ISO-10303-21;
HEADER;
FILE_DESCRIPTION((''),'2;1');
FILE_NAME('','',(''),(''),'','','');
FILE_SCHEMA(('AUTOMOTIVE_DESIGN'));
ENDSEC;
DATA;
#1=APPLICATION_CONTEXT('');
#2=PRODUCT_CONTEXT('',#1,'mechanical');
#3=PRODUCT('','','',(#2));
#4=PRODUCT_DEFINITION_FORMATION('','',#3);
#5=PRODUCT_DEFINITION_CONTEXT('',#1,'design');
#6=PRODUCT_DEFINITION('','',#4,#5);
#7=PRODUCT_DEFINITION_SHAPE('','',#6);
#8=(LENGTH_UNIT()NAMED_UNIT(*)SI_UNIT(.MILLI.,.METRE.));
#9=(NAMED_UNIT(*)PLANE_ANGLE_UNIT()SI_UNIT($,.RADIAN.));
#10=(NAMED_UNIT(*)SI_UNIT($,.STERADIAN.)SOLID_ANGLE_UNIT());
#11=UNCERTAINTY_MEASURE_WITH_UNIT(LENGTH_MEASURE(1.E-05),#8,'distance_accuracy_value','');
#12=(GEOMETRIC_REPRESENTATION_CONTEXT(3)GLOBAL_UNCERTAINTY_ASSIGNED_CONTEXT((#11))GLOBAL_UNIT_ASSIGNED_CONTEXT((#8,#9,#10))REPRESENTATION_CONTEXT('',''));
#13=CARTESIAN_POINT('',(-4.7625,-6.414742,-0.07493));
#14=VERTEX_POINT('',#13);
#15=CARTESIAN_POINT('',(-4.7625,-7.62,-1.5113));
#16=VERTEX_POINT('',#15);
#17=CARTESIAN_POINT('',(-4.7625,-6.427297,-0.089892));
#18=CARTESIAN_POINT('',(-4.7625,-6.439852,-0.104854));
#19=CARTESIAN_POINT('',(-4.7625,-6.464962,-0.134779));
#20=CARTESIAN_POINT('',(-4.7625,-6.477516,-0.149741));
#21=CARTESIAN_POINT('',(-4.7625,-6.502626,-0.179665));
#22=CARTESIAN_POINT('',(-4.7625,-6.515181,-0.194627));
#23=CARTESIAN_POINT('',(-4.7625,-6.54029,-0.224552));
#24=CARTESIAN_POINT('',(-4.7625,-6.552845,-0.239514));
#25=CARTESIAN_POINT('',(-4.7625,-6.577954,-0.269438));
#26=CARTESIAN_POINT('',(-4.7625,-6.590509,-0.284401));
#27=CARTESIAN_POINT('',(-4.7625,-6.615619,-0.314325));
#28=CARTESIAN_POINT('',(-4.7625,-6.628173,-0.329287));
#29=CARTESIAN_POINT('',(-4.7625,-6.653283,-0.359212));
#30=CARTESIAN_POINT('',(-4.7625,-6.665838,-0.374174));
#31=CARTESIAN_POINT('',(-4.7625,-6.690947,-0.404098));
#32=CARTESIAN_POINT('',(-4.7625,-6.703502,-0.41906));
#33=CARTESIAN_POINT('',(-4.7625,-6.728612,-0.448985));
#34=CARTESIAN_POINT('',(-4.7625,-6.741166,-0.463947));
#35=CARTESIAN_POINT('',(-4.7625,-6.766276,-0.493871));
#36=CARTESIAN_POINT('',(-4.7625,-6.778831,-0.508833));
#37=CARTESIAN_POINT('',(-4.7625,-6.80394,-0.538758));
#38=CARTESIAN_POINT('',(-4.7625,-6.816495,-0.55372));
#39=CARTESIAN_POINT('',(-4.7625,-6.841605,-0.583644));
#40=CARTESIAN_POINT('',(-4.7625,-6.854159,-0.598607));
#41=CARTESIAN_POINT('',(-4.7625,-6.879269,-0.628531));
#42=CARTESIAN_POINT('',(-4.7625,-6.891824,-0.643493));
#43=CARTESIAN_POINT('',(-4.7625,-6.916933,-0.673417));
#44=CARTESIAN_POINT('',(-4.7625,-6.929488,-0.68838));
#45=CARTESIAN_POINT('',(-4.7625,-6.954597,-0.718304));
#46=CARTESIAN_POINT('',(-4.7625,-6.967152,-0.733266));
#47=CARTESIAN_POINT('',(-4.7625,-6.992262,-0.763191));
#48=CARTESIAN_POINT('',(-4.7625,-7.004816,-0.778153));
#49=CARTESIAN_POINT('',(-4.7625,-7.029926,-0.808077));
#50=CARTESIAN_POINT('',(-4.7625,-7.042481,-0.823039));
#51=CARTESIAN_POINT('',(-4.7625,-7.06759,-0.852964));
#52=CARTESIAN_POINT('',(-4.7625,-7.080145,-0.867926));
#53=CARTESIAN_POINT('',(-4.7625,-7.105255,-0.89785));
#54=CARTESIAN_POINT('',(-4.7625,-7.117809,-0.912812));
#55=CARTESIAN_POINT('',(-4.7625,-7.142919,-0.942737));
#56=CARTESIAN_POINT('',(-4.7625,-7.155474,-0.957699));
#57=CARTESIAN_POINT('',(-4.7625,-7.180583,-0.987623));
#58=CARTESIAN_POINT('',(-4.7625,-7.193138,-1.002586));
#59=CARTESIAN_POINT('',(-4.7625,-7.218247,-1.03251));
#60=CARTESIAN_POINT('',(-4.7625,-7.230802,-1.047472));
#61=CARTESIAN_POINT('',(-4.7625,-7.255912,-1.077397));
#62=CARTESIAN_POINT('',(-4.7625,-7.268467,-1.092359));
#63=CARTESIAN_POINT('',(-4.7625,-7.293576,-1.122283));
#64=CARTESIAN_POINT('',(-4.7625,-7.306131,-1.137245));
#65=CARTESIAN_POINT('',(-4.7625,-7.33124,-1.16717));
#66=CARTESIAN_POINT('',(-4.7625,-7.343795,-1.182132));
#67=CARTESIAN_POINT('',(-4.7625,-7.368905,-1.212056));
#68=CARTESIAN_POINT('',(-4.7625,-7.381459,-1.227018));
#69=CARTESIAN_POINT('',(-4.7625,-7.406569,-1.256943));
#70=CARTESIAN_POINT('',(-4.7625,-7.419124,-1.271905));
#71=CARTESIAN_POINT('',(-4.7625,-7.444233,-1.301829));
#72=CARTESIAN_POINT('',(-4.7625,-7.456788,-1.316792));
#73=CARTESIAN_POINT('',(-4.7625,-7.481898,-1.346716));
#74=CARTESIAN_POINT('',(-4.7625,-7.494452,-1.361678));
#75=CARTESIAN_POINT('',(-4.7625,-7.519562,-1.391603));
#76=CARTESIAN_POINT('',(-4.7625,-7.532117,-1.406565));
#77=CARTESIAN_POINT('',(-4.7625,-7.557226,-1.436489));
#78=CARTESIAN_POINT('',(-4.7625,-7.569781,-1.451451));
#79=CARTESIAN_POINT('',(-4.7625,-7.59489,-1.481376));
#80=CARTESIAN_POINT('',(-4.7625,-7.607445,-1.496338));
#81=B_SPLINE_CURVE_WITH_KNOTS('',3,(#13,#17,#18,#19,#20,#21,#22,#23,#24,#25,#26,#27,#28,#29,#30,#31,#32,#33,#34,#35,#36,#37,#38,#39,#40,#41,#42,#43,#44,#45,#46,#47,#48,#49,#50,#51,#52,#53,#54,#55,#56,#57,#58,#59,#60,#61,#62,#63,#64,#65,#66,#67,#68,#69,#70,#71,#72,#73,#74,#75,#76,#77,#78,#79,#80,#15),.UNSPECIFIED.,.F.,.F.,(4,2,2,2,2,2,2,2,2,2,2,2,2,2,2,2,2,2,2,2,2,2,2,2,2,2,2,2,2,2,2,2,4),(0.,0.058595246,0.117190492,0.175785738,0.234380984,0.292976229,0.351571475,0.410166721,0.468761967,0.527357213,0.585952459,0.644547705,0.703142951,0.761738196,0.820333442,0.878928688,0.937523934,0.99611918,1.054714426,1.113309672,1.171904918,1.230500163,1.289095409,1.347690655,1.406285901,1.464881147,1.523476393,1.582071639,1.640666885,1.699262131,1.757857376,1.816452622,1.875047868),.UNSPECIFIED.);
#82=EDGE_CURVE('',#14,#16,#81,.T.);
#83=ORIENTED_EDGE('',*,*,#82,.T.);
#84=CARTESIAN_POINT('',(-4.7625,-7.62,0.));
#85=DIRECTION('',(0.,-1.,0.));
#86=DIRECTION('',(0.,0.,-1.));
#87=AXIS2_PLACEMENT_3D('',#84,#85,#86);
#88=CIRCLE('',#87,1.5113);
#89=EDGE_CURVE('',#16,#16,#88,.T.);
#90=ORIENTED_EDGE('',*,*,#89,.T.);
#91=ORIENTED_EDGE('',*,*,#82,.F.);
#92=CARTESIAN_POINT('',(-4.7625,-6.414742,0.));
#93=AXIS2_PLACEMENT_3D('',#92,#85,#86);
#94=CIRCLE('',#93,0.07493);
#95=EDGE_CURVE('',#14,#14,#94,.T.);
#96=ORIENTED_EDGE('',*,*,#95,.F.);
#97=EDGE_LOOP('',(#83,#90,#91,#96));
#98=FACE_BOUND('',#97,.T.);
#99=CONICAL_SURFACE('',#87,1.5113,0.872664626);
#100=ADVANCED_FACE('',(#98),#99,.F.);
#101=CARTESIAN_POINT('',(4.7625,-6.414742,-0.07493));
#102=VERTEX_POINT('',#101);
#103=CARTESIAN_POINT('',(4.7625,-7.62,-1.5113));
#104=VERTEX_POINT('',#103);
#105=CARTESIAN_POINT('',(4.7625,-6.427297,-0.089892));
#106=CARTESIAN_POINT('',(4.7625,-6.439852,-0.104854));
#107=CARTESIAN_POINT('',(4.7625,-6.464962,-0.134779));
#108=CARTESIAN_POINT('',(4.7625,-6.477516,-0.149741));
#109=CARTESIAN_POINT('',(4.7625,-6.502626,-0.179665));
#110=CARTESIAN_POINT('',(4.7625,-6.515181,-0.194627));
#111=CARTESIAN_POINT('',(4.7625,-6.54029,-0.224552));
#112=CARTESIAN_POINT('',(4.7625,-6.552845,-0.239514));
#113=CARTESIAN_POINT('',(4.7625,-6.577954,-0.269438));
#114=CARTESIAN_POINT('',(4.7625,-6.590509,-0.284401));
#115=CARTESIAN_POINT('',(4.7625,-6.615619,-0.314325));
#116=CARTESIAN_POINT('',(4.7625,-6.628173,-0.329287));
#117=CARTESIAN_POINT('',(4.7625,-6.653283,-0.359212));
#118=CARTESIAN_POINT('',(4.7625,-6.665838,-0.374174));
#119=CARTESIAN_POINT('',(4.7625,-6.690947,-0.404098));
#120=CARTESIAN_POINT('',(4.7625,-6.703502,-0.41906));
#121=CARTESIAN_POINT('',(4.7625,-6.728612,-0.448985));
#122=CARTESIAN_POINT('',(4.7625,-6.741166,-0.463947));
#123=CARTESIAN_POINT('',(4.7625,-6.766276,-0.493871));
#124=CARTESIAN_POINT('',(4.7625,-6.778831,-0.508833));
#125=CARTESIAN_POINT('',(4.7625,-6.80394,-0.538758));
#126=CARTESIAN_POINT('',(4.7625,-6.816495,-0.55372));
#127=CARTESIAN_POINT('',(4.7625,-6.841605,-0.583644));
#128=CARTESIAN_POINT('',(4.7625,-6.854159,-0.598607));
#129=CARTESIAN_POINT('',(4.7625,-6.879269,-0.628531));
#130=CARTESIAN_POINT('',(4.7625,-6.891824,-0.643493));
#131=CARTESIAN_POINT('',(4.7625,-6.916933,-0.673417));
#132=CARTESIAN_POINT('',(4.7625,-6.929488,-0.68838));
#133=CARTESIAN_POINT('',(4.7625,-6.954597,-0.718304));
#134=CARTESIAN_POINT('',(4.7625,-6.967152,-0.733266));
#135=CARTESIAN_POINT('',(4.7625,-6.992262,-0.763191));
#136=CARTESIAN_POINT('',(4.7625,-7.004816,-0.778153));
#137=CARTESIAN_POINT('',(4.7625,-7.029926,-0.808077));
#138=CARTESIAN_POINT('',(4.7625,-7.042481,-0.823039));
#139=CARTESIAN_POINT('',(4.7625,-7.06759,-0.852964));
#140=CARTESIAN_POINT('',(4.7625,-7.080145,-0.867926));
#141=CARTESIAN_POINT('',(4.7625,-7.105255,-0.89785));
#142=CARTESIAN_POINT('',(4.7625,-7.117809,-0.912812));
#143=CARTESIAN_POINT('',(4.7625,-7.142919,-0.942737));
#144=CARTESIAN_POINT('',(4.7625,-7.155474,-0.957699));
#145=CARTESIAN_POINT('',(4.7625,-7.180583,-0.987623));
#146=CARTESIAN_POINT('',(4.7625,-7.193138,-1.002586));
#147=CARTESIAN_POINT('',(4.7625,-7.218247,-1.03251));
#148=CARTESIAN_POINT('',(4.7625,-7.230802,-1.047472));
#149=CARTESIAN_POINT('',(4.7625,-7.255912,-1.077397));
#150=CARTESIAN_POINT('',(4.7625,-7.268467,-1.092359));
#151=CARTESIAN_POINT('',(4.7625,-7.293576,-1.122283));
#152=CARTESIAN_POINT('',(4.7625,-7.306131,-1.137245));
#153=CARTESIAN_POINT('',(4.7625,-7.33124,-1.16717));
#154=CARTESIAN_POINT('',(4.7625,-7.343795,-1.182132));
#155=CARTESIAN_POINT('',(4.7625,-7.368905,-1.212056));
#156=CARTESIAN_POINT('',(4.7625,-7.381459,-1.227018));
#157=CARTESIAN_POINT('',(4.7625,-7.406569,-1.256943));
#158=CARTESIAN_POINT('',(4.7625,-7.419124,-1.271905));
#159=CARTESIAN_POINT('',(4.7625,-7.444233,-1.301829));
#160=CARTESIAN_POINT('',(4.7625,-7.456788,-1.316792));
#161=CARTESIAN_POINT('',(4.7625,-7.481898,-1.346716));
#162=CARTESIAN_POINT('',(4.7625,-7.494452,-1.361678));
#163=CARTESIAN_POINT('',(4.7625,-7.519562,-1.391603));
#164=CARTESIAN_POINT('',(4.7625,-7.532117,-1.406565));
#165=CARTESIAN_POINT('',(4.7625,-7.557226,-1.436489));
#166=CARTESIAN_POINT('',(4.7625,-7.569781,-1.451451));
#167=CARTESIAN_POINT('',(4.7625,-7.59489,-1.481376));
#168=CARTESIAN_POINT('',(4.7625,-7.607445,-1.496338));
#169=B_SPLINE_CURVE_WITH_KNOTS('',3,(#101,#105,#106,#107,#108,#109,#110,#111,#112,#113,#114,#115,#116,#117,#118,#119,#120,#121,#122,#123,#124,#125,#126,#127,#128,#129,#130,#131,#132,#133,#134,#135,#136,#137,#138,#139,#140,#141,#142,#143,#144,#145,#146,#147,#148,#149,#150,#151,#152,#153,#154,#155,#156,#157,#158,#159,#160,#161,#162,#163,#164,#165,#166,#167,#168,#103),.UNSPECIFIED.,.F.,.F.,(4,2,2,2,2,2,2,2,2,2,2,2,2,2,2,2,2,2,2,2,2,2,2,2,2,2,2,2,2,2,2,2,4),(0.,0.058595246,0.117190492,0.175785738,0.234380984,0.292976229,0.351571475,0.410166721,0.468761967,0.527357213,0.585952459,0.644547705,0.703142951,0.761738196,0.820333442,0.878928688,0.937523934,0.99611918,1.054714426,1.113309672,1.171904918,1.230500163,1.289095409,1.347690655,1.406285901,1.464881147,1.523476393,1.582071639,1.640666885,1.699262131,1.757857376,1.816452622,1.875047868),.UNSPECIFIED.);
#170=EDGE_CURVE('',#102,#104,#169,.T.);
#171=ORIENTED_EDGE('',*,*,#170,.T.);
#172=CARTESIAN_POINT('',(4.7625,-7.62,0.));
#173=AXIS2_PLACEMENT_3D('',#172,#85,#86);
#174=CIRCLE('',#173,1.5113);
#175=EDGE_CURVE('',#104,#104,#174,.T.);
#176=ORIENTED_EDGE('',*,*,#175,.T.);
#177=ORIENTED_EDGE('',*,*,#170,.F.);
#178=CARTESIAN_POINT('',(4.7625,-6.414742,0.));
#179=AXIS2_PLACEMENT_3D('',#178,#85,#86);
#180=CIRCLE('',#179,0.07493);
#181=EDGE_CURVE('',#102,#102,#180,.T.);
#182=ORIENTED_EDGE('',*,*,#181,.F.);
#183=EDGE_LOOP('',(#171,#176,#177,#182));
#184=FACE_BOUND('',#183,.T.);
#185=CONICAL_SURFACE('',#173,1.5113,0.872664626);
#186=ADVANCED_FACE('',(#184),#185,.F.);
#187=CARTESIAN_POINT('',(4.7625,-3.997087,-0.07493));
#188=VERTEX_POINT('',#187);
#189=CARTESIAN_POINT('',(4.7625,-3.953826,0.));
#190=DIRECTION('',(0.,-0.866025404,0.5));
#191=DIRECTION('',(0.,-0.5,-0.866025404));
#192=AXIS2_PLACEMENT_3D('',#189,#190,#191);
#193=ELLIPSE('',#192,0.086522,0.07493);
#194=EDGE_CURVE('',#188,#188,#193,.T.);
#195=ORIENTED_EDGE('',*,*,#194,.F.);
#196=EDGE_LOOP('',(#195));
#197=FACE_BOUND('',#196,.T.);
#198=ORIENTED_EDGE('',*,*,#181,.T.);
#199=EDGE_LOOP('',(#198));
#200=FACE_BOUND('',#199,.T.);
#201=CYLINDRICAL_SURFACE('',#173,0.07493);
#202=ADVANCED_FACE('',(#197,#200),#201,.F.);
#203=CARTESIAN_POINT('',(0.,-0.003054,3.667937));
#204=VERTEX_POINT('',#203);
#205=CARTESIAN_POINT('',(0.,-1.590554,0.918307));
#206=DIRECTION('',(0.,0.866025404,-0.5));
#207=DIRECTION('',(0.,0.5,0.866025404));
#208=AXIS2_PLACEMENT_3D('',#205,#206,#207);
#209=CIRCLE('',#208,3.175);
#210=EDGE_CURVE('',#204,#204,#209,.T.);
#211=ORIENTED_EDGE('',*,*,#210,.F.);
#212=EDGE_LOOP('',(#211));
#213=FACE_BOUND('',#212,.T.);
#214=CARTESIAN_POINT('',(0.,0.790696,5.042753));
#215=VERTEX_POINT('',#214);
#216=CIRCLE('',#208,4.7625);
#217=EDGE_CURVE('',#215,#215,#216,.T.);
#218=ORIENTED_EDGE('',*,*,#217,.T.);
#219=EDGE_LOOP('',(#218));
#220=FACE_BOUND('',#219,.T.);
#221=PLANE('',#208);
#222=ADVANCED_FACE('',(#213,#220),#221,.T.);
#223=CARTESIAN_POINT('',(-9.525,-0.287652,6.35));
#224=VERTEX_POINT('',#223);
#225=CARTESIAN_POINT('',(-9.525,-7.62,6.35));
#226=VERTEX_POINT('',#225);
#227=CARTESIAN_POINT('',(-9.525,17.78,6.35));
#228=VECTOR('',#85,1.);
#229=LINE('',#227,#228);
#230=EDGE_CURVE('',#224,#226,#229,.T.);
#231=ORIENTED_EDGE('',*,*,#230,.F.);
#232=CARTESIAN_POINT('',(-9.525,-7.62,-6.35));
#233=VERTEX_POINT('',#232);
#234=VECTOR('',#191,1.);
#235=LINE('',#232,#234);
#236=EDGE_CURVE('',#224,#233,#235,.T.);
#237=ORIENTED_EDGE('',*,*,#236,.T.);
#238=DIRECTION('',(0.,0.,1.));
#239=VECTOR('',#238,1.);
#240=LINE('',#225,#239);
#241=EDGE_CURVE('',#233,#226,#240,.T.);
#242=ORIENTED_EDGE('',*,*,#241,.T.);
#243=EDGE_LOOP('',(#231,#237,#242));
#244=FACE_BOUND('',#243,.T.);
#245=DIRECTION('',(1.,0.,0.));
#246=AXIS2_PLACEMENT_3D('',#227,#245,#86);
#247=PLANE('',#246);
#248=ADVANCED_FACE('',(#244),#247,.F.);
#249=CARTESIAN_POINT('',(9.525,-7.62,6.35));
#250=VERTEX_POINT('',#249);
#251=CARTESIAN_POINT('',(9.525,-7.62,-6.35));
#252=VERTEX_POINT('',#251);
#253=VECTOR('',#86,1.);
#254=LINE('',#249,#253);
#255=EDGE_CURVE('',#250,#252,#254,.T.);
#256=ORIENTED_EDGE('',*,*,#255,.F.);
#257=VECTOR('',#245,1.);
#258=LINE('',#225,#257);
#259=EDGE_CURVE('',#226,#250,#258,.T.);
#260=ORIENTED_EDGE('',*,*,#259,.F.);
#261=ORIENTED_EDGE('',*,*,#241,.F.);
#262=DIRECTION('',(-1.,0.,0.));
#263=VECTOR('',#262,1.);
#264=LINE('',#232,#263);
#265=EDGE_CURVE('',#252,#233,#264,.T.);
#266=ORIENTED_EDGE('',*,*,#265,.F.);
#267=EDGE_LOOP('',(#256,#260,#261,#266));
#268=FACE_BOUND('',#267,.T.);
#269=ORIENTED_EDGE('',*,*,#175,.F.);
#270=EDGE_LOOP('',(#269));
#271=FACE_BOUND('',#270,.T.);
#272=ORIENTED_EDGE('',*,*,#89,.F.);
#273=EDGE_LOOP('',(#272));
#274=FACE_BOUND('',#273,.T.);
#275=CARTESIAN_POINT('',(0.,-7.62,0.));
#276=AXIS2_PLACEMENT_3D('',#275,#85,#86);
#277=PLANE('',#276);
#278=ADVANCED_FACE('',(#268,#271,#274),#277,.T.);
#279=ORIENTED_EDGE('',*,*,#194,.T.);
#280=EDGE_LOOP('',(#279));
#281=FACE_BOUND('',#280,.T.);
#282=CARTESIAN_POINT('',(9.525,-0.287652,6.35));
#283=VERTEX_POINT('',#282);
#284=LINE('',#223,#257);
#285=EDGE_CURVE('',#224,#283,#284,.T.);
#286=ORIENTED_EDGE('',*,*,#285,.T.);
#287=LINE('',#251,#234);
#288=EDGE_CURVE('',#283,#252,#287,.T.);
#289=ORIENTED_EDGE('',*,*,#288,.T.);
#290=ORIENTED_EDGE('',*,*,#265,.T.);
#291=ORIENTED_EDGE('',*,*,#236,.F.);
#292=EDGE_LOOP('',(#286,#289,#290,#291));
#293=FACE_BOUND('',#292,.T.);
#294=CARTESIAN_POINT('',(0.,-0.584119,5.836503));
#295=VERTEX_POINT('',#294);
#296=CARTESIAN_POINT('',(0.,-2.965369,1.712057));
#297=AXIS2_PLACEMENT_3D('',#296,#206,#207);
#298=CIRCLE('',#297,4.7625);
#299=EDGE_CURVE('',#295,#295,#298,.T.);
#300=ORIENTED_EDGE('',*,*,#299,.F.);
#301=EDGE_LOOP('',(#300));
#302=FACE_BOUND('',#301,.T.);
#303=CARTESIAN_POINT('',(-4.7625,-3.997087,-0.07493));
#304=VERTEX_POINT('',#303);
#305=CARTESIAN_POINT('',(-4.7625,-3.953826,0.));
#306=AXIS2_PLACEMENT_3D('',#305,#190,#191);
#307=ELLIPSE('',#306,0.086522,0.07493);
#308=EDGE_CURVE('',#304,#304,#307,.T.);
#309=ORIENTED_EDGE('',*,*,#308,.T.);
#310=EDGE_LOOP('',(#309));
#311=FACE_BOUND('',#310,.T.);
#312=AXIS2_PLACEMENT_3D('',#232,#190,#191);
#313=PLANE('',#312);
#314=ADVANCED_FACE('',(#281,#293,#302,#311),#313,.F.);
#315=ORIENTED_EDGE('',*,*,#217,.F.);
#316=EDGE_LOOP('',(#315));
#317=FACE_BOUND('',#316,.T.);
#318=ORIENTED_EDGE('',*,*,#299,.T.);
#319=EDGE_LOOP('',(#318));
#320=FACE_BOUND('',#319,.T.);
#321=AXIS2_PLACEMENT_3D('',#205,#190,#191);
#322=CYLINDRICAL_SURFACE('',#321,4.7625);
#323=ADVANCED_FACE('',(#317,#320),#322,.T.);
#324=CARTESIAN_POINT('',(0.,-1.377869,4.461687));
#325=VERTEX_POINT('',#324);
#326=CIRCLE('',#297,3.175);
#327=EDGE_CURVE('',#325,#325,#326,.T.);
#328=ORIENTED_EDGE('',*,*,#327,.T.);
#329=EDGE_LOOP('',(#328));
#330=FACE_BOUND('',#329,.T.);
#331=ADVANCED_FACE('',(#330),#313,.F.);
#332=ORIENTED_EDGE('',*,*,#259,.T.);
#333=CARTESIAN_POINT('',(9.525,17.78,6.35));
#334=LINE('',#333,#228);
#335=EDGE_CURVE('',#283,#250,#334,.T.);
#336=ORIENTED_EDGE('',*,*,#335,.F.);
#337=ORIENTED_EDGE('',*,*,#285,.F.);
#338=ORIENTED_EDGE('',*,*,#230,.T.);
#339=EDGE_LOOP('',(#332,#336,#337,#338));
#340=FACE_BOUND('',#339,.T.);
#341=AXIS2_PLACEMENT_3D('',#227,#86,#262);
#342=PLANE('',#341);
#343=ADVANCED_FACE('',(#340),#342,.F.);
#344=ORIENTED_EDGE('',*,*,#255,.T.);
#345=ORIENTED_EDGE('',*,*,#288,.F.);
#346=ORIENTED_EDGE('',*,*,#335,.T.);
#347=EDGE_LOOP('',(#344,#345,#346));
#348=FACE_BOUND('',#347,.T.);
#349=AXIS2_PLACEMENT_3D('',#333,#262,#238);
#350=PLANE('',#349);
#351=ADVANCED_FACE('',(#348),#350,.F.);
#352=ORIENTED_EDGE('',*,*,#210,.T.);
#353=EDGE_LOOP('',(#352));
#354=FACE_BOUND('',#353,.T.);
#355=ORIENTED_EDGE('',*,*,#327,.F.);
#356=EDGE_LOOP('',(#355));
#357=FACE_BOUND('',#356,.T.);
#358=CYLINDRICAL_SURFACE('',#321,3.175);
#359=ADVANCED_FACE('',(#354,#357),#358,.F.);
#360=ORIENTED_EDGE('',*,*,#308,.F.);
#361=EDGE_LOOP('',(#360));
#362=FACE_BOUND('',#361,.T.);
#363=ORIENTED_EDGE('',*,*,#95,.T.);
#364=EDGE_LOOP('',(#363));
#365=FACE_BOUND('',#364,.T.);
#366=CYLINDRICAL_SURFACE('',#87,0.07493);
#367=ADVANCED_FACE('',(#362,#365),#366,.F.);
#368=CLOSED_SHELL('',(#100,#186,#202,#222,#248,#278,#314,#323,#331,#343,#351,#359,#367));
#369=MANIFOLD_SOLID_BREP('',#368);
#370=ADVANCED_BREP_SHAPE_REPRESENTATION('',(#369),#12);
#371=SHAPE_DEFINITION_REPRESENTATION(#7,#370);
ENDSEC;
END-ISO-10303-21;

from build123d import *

# Parameters (mm, degrees)
SKETCH9_W                              = 19.05
SKETCH9_H                              = 12.7
BOSS_EXTRUDE1_DEPTH                    = 25.4
CUT_EXTRUDE1_DEPTH                     = 27.820764344
SKETCH11_R                             = 4.7625
SKETCH11_R_2                           = 3.175
BOSS_EXTRUDE2_DEPTH                    = 1.5875
F_97_0_0059_DIAMETER_HOLE1_D           = 0.14986
F_97_0_0059_DIAMETER_HOLE1_CSINK_D     = 3.0226
F_97_0_0059_DIAMETER_HOLE1_CSINK_ANGLE = 100


with BuildPart() as part:
    # Sketch9 → Boss-Extrude1 (new body)
    with BuildSketch(Plane(origin=(0, -7.62, 0), x_dir=(1, 0, 0), z_dir=(0, 1, 0))):
        Rectangle(SKETCH9_W, SKETCH9_H)
    extrude(amount=BOSS_EXTRUDE1_DEPTH)

    # Sketch10 → Cut-Extrude1 (cut, through all)
    with BuildSketch(Plane(origin=(9.525, 0, 0), x_dir=(0, 0, -1), z_dir=(1, 0, 0))):
        Polygon((6.35, -7.62), (-6.35, -0.287651581), (-6.35, 22.86), (6.35, 22.86), align=None)
    extrude(amount=-CUT_EXTRUDE1_DEPTH, mode=Mode.SUBTRACT)

    # Sketch11 → Boss-Extrude2 (add)
    with BuildSketch(Plane(origin=(0, -2.965369343, 1.712056788), x_dir=(1, 0, 0), z_dir=(0, 0.8660254037844382, -0.500000000000001))):
        with Locations(Location((0, 0, 0), (0, 0, 270))):
            Circle(SKETCH11_R)
        with Locations(Location((0, 0, 0), (0, 0, 270))):
            Circle(SKETCH11_R_2, mode=Mode.SUBTRACT)
    extrude(amount=BOSS_EXTRUDE2_DEPTH)

    # #97 (0.0059) Diameter Hole1 (through all)
    with Locations(Plane(origin=(0, -7.62, 0), x_dir=(-1, 0, 0), z_dir=(0, -1, 0))):
        with Locations((4.7625, 0), (-4.7625, 0)):
            CounterSinkHole(F_97_0_0059_DIAMETER_HOLE1_D / 2, F_97_0_0059_DIAMETER_HOLE1_CSINK_D / 2, counter_sink_angle=F_97_0_0059_DIAMETER_HOLE1_CSINK_ANGLE)


solid = part.part
